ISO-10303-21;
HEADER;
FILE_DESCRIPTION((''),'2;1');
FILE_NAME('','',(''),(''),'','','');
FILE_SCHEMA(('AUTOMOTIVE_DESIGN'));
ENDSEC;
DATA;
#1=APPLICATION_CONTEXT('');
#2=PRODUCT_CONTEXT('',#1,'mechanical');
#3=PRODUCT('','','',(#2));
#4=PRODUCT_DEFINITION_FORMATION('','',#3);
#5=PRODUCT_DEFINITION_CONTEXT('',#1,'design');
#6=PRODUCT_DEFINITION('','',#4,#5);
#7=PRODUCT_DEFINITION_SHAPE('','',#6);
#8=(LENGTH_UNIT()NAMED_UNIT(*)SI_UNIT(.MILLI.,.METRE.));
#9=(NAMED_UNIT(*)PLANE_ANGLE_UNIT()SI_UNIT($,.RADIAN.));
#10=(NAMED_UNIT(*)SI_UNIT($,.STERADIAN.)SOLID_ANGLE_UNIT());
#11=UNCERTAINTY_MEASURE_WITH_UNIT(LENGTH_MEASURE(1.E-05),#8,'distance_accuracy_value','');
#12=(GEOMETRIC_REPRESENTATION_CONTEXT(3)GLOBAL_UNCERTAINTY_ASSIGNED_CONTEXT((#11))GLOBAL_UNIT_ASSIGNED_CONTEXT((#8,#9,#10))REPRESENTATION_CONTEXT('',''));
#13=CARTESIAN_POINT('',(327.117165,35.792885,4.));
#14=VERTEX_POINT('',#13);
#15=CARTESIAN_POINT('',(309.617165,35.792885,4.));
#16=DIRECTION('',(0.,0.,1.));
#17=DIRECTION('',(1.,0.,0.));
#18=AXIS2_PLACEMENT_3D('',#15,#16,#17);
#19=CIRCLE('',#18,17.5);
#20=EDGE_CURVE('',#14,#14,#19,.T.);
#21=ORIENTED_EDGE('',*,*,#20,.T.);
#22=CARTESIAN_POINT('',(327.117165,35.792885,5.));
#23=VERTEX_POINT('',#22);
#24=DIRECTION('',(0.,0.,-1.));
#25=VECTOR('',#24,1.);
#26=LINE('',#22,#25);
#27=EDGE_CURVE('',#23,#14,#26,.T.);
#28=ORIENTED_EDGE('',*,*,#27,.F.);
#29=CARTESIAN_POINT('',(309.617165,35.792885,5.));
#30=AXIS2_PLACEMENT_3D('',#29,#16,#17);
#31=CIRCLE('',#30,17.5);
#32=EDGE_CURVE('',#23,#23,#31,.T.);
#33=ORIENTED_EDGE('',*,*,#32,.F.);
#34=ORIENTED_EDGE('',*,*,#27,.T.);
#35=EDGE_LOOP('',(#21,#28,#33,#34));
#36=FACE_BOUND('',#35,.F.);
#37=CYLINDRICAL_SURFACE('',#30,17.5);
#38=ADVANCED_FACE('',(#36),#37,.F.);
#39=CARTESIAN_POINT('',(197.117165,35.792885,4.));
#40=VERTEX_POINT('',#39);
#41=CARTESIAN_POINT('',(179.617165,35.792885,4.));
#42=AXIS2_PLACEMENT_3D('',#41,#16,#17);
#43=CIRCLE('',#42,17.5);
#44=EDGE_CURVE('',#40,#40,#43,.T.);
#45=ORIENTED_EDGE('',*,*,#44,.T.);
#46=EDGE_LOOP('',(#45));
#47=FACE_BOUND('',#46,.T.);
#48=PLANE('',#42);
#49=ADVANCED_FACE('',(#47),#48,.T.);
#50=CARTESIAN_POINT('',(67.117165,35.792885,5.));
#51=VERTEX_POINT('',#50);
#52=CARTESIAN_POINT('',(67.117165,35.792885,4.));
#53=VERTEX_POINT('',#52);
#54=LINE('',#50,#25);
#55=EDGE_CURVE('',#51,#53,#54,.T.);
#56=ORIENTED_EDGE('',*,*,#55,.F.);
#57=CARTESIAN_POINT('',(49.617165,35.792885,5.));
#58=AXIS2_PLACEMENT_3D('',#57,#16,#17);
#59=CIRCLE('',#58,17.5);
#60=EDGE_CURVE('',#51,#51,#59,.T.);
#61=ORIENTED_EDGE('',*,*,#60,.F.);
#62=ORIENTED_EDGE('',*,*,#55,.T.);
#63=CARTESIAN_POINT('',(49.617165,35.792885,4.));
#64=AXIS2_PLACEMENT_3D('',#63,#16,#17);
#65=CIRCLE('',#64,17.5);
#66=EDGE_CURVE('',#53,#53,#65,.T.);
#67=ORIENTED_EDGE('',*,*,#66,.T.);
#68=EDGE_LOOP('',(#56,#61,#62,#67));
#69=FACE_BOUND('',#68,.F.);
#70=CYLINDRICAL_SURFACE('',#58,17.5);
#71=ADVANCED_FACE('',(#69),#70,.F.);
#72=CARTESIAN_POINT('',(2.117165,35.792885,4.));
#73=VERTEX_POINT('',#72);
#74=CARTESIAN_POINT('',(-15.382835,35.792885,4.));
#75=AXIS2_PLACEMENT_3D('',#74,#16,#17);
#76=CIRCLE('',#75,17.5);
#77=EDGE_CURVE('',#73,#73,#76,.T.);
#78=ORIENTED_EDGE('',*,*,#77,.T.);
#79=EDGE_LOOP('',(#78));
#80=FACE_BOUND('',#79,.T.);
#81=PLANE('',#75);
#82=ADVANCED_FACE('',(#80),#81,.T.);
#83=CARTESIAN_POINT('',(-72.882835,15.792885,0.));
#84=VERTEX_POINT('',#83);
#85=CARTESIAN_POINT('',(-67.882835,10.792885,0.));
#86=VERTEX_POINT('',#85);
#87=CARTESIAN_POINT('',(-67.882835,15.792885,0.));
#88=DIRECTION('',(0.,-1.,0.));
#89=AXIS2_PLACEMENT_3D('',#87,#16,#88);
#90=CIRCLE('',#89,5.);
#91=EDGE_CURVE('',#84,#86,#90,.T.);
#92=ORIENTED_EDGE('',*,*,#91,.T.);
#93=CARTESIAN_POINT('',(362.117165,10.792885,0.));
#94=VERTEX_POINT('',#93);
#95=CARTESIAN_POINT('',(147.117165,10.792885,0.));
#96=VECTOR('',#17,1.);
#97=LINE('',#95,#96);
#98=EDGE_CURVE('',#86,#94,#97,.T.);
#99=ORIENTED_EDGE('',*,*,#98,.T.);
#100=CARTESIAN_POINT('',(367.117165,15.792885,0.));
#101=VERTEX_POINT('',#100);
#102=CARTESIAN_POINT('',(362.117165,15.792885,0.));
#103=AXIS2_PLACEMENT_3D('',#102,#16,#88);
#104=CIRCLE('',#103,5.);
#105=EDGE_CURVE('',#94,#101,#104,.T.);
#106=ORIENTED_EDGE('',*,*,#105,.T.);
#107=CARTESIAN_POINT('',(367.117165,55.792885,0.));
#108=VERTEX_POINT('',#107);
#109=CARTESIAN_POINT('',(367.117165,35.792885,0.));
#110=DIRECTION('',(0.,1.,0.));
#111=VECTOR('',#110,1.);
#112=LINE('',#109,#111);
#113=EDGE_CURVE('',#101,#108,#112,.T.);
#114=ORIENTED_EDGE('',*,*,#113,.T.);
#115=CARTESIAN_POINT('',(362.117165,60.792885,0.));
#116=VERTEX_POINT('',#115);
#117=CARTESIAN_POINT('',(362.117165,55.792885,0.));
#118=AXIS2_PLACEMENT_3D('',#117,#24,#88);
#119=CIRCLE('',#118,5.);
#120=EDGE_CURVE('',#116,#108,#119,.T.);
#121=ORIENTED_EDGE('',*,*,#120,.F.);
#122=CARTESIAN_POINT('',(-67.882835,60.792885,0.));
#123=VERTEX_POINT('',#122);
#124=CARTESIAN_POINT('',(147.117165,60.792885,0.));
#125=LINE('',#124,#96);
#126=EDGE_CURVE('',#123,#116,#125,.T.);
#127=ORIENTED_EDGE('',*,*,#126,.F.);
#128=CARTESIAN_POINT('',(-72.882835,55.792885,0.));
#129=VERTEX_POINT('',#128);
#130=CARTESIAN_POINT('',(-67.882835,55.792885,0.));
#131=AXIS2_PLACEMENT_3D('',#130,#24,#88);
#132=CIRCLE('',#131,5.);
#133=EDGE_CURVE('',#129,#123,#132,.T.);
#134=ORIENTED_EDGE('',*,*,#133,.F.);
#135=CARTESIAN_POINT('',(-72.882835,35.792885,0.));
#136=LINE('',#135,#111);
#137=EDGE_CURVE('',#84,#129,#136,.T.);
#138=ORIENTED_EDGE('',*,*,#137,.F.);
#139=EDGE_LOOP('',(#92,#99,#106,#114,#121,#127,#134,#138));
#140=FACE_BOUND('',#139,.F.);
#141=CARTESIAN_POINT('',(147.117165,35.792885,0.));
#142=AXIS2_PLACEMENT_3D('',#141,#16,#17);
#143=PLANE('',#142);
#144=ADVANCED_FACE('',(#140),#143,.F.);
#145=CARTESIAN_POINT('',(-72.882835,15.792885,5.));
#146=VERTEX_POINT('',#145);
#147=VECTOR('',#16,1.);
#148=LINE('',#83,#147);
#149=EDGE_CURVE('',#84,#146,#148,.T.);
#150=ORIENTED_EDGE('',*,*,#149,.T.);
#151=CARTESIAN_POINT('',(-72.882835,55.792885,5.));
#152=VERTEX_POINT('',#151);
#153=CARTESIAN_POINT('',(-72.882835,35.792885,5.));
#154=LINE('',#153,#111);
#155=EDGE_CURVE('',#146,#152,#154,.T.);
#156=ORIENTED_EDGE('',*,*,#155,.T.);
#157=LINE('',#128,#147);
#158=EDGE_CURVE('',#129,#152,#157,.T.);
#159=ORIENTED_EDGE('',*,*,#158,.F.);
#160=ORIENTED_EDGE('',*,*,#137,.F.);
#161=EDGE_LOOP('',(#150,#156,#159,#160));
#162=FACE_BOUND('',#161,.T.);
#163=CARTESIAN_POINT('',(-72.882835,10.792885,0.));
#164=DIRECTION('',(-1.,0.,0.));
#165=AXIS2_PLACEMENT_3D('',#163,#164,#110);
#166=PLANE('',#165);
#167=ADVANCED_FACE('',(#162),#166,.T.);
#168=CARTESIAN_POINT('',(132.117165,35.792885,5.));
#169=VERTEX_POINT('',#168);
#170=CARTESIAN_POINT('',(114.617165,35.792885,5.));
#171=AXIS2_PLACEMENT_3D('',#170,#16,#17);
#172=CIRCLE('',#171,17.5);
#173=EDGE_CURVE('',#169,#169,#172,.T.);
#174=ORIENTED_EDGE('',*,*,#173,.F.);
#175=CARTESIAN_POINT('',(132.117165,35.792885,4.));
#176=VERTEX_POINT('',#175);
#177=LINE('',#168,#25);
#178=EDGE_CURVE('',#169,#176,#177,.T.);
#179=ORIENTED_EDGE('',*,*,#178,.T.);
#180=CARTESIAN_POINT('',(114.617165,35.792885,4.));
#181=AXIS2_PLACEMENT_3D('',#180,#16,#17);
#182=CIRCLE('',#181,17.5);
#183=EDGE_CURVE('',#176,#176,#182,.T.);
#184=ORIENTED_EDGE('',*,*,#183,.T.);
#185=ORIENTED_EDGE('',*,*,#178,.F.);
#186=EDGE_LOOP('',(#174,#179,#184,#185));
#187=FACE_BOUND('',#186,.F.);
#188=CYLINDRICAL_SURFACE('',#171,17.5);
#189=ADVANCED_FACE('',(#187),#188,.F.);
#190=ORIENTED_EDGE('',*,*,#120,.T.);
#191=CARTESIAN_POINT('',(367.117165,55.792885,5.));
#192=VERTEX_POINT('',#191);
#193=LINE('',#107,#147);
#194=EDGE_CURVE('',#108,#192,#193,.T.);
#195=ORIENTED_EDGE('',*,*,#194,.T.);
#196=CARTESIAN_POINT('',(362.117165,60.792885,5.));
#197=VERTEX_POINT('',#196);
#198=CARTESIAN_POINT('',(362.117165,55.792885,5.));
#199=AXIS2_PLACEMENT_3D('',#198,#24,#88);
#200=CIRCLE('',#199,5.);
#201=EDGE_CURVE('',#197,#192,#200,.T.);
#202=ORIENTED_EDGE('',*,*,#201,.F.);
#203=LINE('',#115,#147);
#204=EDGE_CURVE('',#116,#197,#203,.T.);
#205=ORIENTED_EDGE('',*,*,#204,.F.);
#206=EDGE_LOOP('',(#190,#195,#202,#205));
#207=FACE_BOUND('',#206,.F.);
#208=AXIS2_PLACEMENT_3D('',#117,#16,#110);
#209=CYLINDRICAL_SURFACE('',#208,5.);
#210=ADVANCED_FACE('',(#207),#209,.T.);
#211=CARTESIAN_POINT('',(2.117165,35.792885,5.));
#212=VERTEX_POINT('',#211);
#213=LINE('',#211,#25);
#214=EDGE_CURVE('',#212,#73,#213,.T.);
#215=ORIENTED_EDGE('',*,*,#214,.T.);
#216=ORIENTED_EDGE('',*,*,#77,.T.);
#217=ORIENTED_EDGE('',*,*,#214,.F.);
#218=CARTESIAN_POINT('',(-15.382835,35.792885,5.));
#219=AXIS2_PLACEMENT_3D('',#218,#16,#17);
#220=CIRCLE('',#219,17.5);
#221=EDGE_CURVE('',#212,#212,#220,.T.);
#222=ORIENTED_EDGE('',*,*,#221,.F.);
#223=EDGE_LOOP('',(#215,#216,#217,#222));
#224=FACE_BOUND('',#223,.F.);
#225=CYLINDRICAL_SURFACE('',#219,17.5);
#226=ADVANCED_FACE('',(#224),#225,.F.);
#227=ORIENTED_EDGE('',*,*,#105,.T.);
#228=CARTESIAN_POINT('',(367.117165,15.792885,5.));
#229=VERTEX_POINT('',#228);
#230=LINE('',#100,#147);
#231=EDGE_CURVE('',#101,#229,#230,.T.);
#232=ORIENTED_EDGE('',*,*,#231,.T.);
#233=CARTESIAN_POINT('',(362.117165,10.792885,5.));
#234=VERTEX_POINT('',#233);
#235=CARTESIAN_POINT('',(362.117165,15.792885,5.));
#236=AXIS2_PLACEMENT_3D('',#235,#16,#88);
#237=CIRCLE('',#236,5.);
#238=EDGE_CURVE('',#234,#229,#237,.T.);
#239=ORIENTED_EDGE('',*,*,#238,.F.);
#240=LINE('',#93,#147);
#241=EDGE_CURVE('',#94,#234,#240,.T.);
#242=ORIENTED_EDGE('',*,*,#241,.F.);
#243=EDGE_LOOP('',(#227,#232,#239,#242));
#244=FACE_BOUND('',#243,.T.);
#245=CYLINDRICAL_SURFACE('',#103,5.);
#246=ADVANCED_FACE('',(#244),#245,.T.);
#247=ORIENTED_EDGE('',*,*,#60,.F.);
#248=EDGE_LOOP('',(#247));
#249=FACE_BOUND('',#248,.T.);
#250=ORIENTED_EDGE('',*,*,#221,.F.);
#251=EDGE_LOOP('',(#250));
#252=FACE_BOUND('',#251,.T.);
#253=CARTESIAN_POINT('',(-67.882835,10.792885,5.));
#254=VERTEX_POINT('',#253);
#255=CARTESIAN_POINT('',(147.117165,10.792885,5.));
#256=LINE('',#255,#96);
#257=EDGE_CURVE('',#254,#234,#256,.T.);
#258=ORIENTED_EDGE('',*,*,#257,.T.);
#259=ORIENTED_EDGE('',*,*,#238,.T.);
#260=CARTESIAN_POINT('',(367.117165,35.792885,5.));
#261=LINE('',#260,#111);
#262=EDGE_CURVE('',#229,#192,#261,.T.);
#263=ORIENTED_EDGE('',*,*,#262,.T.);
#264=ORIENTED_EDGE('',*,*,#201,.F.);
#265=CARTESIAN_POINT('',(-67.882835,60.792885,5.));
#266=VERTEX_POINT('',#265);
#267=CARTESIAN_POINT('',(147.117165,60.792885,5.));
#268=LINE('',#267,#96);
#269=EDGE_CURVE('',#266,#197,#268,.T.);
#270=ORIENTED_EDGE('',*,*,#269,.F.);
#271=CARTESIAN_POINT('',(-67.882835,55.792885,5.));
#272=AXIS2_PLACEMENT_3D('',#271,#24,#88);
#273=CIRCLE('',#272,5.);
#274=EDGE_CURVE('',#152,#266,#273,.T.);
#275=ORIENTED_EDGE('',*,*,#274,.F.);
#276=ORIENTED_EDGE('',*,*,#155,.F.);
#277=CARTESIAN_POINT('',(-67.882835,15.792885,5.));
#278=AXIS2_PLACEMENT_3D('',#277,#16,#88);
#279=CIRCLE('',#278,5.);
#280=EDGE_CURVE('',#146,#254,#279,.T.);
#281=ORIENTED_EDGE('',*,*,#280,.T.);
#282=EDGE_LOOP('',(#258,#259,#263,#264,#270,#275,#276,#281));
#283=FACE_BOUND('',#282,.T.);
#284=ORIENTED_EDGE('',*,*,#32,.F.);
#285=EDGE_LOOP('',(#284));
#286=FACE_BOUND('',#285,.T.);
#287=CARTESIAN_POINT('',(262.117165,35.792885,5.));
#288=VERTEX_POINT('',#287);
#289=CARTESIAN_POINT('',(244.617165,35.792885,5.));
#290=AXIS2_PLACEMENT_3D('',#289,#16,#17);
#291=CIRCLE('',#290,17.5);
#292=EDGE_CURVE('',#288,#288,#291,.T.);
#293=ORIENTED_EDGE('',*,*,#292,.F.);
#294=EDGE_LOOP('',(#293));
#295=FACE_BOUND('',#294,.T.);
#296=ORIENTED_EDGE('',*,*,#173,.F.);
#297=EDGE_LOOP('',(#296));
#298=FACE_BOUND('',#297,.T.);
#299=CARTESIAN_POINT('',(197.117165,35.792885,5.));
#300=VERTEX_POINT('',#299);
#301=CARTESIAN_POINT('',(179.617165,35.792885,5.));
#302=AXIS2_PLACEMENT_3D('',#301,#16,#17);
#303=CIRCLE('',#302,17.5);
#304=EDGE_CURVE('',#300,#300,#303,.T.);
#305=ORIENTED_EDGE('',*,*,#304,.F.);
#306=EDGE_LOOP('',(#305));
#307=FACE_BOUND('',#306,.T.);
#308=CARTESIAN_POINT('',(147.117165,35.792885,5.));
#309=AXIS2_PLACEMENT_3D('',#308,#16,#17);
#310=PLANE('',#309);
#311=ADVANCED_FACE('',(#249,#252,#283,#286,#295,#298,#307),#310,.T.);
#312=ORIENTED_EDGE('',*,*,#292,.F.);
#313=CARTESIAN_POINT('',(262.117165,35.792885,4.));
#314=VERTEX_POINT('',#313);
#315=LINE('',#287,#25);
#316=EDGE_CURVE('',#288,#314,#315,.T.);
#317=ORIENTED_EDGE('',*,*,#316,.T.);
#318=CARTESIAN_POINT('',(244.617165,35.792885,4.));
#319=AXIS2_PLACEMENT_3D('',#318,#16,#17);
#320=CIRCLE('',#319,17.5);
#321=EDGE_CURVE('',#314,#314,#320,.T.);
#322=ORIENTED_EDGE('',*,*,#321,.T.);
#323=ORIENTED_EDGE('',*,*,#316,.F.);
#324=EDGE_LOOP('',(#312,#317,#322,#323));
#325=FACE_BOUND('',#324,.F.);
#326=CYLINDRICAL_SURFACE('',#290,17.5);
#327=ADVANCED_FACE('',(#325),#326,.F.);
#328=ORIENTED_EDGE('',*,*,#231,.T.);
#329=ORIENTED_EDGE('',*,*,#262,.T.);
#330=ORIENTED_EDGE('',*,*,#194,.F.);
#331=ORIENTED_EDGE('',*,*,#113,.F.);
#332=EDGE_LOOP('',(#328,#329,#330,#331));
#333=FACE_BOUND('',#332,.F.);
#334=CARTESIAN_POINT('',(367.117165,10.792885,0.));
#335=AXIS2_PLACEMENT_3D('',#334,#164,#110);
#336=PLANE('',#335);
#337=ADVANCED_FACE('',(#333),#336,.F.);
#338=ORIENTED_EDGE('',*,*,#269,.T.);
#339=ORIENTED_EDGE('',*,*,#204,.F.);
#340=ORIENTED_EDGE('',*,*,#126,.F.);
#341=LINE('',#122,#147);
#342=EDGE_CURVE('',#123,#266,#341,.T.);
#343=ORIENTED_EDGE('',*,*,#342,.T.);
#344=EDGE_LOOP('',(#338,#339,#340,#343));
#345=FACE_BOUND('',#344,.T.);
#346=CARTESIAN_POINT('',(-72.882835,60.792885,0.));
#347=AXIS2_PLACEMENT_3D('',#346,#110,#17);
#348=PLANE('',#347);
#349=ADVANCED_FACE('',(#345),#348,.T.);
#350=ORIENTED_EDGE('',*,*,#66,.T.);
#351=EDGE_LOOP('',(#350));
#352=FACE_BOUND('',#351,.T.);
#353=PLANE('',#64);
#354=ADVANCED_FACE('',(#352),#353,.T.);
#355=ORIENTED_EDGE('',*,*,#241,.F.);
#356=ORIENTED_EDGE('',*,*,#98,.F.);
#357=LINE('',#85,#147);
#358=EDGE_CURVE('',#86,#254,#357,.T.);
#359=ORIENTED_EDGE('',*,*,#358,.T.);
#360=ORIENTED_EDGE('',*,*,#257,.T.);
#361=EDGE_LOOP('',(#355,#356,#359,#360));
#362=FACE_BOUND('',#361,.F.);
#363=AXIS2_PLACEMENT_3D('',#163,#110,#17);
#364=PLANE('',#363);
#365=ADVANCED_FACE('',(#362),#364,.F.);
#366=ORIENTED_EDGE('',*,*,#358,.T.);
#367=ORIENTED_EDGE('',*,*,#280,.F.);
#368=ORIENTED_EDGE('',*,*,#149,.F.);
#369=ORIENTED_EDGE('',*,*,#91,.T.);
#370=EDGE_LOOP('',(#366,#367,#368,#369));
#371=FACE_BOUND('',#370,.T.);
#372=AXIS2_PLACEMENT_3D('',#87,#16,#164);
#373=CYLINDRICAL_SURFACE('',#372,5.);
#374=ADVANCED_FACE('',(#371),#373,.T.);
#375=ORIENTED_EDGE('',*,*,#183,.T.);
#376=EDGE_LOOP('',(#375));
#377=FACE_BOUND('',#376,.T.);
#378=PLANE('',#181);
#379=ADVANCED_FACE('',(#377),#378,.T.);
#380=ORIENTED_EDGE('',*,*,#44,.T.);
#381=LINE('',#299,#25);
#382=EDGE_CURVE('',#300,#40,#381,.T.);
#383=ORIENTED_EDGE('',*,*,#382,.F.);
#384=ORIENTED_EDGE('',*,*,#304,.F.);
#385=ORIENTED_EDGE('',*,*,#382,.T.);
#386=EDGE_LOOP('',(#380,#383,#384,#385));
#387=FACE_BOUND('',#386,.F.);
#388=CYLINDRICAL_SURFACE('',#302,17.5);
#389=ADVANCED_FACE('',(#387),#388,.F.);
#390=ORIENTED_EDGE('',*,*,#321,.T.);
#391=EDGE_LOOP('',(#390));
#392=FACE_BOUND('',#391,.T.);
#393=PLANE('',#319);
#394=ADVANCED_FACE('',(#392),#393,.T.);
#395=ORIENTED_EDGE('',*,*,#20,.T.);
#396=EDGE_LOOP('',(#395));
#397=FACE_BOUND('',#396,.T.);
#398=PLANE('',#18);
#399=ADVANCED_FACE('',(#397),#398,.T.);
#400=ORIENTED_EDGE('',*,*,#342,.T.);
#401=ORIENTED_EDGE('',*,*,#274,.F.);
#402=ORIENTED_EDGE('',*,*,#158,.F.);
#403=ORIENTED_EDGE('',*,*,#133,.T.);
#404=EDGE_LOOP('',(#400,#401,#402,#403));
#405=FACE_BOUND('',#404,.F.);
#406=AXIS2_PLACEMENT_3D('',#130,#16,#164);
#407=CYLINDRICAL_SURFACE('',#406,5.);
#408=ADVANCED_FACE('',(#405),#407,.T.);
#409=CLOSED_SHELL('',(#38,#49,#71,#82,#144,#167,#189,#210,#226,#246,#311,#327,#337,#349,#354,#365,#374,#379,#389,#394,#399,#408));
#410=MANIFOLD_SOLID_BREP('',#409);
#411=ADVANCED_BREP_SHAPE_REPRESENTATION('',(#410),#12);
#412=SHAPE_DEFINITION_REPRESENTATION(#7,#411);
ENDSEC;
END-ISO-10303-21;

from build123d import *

# Parameters (mm, degrees)
SKETCH_W            = 440
SKETCH_H            = 50
PAD_DEPTH           = 5
SKETCH001_R         = 17.5
POCKET_DEPTH        = 1
FILLET_R            = 5
LINEARPATTERN_COUNT = 6
LINEARPATTERN_PITCH = 65


with BuildPart() as part:
    # Sketch → Pad (new body)
    with BuildSketch(Plane.XY):
        with Locations((147.117165, 35.792885)):
            Rectangle(SKETCH_W, SKETCH_H)
    extrude(amount=PAD_DEPTH)

    # Sketch001 (on Face6 of Pad) → Pocket (cut)
    with BuildSketch(Plane.XY.offset(5)):
        with Locations((-15.382835, 35.792885)):
            Circle(SKETCH001_R)
    pocket = extrude(amount=-POCKET_DEPTH, mode=Mode.SUBTRACT)

    # Fillet
    fillet_edges = [part.edges().sort_by_distance(p)[0] for p in [
        (-72.882835, 10.792885, 2.5),
        (367.117165, 10.792885, 2.5),
        (367.117165, 60.792885, 2.5),
        (-72.882835, 60.792885, 2.5),
    ]]
    fillet(fillet_edges, radius=FILLET_R)

    # LinearPattern: Pocket ×6
    with Locations(*[(i * LINEARPATTERN_PITCH, 0, 0) for i in range(1, LINEARPATTERN_COUNT)]):
        add(pocket, mode=Mode.SUBTRACT)


solid = part.part
